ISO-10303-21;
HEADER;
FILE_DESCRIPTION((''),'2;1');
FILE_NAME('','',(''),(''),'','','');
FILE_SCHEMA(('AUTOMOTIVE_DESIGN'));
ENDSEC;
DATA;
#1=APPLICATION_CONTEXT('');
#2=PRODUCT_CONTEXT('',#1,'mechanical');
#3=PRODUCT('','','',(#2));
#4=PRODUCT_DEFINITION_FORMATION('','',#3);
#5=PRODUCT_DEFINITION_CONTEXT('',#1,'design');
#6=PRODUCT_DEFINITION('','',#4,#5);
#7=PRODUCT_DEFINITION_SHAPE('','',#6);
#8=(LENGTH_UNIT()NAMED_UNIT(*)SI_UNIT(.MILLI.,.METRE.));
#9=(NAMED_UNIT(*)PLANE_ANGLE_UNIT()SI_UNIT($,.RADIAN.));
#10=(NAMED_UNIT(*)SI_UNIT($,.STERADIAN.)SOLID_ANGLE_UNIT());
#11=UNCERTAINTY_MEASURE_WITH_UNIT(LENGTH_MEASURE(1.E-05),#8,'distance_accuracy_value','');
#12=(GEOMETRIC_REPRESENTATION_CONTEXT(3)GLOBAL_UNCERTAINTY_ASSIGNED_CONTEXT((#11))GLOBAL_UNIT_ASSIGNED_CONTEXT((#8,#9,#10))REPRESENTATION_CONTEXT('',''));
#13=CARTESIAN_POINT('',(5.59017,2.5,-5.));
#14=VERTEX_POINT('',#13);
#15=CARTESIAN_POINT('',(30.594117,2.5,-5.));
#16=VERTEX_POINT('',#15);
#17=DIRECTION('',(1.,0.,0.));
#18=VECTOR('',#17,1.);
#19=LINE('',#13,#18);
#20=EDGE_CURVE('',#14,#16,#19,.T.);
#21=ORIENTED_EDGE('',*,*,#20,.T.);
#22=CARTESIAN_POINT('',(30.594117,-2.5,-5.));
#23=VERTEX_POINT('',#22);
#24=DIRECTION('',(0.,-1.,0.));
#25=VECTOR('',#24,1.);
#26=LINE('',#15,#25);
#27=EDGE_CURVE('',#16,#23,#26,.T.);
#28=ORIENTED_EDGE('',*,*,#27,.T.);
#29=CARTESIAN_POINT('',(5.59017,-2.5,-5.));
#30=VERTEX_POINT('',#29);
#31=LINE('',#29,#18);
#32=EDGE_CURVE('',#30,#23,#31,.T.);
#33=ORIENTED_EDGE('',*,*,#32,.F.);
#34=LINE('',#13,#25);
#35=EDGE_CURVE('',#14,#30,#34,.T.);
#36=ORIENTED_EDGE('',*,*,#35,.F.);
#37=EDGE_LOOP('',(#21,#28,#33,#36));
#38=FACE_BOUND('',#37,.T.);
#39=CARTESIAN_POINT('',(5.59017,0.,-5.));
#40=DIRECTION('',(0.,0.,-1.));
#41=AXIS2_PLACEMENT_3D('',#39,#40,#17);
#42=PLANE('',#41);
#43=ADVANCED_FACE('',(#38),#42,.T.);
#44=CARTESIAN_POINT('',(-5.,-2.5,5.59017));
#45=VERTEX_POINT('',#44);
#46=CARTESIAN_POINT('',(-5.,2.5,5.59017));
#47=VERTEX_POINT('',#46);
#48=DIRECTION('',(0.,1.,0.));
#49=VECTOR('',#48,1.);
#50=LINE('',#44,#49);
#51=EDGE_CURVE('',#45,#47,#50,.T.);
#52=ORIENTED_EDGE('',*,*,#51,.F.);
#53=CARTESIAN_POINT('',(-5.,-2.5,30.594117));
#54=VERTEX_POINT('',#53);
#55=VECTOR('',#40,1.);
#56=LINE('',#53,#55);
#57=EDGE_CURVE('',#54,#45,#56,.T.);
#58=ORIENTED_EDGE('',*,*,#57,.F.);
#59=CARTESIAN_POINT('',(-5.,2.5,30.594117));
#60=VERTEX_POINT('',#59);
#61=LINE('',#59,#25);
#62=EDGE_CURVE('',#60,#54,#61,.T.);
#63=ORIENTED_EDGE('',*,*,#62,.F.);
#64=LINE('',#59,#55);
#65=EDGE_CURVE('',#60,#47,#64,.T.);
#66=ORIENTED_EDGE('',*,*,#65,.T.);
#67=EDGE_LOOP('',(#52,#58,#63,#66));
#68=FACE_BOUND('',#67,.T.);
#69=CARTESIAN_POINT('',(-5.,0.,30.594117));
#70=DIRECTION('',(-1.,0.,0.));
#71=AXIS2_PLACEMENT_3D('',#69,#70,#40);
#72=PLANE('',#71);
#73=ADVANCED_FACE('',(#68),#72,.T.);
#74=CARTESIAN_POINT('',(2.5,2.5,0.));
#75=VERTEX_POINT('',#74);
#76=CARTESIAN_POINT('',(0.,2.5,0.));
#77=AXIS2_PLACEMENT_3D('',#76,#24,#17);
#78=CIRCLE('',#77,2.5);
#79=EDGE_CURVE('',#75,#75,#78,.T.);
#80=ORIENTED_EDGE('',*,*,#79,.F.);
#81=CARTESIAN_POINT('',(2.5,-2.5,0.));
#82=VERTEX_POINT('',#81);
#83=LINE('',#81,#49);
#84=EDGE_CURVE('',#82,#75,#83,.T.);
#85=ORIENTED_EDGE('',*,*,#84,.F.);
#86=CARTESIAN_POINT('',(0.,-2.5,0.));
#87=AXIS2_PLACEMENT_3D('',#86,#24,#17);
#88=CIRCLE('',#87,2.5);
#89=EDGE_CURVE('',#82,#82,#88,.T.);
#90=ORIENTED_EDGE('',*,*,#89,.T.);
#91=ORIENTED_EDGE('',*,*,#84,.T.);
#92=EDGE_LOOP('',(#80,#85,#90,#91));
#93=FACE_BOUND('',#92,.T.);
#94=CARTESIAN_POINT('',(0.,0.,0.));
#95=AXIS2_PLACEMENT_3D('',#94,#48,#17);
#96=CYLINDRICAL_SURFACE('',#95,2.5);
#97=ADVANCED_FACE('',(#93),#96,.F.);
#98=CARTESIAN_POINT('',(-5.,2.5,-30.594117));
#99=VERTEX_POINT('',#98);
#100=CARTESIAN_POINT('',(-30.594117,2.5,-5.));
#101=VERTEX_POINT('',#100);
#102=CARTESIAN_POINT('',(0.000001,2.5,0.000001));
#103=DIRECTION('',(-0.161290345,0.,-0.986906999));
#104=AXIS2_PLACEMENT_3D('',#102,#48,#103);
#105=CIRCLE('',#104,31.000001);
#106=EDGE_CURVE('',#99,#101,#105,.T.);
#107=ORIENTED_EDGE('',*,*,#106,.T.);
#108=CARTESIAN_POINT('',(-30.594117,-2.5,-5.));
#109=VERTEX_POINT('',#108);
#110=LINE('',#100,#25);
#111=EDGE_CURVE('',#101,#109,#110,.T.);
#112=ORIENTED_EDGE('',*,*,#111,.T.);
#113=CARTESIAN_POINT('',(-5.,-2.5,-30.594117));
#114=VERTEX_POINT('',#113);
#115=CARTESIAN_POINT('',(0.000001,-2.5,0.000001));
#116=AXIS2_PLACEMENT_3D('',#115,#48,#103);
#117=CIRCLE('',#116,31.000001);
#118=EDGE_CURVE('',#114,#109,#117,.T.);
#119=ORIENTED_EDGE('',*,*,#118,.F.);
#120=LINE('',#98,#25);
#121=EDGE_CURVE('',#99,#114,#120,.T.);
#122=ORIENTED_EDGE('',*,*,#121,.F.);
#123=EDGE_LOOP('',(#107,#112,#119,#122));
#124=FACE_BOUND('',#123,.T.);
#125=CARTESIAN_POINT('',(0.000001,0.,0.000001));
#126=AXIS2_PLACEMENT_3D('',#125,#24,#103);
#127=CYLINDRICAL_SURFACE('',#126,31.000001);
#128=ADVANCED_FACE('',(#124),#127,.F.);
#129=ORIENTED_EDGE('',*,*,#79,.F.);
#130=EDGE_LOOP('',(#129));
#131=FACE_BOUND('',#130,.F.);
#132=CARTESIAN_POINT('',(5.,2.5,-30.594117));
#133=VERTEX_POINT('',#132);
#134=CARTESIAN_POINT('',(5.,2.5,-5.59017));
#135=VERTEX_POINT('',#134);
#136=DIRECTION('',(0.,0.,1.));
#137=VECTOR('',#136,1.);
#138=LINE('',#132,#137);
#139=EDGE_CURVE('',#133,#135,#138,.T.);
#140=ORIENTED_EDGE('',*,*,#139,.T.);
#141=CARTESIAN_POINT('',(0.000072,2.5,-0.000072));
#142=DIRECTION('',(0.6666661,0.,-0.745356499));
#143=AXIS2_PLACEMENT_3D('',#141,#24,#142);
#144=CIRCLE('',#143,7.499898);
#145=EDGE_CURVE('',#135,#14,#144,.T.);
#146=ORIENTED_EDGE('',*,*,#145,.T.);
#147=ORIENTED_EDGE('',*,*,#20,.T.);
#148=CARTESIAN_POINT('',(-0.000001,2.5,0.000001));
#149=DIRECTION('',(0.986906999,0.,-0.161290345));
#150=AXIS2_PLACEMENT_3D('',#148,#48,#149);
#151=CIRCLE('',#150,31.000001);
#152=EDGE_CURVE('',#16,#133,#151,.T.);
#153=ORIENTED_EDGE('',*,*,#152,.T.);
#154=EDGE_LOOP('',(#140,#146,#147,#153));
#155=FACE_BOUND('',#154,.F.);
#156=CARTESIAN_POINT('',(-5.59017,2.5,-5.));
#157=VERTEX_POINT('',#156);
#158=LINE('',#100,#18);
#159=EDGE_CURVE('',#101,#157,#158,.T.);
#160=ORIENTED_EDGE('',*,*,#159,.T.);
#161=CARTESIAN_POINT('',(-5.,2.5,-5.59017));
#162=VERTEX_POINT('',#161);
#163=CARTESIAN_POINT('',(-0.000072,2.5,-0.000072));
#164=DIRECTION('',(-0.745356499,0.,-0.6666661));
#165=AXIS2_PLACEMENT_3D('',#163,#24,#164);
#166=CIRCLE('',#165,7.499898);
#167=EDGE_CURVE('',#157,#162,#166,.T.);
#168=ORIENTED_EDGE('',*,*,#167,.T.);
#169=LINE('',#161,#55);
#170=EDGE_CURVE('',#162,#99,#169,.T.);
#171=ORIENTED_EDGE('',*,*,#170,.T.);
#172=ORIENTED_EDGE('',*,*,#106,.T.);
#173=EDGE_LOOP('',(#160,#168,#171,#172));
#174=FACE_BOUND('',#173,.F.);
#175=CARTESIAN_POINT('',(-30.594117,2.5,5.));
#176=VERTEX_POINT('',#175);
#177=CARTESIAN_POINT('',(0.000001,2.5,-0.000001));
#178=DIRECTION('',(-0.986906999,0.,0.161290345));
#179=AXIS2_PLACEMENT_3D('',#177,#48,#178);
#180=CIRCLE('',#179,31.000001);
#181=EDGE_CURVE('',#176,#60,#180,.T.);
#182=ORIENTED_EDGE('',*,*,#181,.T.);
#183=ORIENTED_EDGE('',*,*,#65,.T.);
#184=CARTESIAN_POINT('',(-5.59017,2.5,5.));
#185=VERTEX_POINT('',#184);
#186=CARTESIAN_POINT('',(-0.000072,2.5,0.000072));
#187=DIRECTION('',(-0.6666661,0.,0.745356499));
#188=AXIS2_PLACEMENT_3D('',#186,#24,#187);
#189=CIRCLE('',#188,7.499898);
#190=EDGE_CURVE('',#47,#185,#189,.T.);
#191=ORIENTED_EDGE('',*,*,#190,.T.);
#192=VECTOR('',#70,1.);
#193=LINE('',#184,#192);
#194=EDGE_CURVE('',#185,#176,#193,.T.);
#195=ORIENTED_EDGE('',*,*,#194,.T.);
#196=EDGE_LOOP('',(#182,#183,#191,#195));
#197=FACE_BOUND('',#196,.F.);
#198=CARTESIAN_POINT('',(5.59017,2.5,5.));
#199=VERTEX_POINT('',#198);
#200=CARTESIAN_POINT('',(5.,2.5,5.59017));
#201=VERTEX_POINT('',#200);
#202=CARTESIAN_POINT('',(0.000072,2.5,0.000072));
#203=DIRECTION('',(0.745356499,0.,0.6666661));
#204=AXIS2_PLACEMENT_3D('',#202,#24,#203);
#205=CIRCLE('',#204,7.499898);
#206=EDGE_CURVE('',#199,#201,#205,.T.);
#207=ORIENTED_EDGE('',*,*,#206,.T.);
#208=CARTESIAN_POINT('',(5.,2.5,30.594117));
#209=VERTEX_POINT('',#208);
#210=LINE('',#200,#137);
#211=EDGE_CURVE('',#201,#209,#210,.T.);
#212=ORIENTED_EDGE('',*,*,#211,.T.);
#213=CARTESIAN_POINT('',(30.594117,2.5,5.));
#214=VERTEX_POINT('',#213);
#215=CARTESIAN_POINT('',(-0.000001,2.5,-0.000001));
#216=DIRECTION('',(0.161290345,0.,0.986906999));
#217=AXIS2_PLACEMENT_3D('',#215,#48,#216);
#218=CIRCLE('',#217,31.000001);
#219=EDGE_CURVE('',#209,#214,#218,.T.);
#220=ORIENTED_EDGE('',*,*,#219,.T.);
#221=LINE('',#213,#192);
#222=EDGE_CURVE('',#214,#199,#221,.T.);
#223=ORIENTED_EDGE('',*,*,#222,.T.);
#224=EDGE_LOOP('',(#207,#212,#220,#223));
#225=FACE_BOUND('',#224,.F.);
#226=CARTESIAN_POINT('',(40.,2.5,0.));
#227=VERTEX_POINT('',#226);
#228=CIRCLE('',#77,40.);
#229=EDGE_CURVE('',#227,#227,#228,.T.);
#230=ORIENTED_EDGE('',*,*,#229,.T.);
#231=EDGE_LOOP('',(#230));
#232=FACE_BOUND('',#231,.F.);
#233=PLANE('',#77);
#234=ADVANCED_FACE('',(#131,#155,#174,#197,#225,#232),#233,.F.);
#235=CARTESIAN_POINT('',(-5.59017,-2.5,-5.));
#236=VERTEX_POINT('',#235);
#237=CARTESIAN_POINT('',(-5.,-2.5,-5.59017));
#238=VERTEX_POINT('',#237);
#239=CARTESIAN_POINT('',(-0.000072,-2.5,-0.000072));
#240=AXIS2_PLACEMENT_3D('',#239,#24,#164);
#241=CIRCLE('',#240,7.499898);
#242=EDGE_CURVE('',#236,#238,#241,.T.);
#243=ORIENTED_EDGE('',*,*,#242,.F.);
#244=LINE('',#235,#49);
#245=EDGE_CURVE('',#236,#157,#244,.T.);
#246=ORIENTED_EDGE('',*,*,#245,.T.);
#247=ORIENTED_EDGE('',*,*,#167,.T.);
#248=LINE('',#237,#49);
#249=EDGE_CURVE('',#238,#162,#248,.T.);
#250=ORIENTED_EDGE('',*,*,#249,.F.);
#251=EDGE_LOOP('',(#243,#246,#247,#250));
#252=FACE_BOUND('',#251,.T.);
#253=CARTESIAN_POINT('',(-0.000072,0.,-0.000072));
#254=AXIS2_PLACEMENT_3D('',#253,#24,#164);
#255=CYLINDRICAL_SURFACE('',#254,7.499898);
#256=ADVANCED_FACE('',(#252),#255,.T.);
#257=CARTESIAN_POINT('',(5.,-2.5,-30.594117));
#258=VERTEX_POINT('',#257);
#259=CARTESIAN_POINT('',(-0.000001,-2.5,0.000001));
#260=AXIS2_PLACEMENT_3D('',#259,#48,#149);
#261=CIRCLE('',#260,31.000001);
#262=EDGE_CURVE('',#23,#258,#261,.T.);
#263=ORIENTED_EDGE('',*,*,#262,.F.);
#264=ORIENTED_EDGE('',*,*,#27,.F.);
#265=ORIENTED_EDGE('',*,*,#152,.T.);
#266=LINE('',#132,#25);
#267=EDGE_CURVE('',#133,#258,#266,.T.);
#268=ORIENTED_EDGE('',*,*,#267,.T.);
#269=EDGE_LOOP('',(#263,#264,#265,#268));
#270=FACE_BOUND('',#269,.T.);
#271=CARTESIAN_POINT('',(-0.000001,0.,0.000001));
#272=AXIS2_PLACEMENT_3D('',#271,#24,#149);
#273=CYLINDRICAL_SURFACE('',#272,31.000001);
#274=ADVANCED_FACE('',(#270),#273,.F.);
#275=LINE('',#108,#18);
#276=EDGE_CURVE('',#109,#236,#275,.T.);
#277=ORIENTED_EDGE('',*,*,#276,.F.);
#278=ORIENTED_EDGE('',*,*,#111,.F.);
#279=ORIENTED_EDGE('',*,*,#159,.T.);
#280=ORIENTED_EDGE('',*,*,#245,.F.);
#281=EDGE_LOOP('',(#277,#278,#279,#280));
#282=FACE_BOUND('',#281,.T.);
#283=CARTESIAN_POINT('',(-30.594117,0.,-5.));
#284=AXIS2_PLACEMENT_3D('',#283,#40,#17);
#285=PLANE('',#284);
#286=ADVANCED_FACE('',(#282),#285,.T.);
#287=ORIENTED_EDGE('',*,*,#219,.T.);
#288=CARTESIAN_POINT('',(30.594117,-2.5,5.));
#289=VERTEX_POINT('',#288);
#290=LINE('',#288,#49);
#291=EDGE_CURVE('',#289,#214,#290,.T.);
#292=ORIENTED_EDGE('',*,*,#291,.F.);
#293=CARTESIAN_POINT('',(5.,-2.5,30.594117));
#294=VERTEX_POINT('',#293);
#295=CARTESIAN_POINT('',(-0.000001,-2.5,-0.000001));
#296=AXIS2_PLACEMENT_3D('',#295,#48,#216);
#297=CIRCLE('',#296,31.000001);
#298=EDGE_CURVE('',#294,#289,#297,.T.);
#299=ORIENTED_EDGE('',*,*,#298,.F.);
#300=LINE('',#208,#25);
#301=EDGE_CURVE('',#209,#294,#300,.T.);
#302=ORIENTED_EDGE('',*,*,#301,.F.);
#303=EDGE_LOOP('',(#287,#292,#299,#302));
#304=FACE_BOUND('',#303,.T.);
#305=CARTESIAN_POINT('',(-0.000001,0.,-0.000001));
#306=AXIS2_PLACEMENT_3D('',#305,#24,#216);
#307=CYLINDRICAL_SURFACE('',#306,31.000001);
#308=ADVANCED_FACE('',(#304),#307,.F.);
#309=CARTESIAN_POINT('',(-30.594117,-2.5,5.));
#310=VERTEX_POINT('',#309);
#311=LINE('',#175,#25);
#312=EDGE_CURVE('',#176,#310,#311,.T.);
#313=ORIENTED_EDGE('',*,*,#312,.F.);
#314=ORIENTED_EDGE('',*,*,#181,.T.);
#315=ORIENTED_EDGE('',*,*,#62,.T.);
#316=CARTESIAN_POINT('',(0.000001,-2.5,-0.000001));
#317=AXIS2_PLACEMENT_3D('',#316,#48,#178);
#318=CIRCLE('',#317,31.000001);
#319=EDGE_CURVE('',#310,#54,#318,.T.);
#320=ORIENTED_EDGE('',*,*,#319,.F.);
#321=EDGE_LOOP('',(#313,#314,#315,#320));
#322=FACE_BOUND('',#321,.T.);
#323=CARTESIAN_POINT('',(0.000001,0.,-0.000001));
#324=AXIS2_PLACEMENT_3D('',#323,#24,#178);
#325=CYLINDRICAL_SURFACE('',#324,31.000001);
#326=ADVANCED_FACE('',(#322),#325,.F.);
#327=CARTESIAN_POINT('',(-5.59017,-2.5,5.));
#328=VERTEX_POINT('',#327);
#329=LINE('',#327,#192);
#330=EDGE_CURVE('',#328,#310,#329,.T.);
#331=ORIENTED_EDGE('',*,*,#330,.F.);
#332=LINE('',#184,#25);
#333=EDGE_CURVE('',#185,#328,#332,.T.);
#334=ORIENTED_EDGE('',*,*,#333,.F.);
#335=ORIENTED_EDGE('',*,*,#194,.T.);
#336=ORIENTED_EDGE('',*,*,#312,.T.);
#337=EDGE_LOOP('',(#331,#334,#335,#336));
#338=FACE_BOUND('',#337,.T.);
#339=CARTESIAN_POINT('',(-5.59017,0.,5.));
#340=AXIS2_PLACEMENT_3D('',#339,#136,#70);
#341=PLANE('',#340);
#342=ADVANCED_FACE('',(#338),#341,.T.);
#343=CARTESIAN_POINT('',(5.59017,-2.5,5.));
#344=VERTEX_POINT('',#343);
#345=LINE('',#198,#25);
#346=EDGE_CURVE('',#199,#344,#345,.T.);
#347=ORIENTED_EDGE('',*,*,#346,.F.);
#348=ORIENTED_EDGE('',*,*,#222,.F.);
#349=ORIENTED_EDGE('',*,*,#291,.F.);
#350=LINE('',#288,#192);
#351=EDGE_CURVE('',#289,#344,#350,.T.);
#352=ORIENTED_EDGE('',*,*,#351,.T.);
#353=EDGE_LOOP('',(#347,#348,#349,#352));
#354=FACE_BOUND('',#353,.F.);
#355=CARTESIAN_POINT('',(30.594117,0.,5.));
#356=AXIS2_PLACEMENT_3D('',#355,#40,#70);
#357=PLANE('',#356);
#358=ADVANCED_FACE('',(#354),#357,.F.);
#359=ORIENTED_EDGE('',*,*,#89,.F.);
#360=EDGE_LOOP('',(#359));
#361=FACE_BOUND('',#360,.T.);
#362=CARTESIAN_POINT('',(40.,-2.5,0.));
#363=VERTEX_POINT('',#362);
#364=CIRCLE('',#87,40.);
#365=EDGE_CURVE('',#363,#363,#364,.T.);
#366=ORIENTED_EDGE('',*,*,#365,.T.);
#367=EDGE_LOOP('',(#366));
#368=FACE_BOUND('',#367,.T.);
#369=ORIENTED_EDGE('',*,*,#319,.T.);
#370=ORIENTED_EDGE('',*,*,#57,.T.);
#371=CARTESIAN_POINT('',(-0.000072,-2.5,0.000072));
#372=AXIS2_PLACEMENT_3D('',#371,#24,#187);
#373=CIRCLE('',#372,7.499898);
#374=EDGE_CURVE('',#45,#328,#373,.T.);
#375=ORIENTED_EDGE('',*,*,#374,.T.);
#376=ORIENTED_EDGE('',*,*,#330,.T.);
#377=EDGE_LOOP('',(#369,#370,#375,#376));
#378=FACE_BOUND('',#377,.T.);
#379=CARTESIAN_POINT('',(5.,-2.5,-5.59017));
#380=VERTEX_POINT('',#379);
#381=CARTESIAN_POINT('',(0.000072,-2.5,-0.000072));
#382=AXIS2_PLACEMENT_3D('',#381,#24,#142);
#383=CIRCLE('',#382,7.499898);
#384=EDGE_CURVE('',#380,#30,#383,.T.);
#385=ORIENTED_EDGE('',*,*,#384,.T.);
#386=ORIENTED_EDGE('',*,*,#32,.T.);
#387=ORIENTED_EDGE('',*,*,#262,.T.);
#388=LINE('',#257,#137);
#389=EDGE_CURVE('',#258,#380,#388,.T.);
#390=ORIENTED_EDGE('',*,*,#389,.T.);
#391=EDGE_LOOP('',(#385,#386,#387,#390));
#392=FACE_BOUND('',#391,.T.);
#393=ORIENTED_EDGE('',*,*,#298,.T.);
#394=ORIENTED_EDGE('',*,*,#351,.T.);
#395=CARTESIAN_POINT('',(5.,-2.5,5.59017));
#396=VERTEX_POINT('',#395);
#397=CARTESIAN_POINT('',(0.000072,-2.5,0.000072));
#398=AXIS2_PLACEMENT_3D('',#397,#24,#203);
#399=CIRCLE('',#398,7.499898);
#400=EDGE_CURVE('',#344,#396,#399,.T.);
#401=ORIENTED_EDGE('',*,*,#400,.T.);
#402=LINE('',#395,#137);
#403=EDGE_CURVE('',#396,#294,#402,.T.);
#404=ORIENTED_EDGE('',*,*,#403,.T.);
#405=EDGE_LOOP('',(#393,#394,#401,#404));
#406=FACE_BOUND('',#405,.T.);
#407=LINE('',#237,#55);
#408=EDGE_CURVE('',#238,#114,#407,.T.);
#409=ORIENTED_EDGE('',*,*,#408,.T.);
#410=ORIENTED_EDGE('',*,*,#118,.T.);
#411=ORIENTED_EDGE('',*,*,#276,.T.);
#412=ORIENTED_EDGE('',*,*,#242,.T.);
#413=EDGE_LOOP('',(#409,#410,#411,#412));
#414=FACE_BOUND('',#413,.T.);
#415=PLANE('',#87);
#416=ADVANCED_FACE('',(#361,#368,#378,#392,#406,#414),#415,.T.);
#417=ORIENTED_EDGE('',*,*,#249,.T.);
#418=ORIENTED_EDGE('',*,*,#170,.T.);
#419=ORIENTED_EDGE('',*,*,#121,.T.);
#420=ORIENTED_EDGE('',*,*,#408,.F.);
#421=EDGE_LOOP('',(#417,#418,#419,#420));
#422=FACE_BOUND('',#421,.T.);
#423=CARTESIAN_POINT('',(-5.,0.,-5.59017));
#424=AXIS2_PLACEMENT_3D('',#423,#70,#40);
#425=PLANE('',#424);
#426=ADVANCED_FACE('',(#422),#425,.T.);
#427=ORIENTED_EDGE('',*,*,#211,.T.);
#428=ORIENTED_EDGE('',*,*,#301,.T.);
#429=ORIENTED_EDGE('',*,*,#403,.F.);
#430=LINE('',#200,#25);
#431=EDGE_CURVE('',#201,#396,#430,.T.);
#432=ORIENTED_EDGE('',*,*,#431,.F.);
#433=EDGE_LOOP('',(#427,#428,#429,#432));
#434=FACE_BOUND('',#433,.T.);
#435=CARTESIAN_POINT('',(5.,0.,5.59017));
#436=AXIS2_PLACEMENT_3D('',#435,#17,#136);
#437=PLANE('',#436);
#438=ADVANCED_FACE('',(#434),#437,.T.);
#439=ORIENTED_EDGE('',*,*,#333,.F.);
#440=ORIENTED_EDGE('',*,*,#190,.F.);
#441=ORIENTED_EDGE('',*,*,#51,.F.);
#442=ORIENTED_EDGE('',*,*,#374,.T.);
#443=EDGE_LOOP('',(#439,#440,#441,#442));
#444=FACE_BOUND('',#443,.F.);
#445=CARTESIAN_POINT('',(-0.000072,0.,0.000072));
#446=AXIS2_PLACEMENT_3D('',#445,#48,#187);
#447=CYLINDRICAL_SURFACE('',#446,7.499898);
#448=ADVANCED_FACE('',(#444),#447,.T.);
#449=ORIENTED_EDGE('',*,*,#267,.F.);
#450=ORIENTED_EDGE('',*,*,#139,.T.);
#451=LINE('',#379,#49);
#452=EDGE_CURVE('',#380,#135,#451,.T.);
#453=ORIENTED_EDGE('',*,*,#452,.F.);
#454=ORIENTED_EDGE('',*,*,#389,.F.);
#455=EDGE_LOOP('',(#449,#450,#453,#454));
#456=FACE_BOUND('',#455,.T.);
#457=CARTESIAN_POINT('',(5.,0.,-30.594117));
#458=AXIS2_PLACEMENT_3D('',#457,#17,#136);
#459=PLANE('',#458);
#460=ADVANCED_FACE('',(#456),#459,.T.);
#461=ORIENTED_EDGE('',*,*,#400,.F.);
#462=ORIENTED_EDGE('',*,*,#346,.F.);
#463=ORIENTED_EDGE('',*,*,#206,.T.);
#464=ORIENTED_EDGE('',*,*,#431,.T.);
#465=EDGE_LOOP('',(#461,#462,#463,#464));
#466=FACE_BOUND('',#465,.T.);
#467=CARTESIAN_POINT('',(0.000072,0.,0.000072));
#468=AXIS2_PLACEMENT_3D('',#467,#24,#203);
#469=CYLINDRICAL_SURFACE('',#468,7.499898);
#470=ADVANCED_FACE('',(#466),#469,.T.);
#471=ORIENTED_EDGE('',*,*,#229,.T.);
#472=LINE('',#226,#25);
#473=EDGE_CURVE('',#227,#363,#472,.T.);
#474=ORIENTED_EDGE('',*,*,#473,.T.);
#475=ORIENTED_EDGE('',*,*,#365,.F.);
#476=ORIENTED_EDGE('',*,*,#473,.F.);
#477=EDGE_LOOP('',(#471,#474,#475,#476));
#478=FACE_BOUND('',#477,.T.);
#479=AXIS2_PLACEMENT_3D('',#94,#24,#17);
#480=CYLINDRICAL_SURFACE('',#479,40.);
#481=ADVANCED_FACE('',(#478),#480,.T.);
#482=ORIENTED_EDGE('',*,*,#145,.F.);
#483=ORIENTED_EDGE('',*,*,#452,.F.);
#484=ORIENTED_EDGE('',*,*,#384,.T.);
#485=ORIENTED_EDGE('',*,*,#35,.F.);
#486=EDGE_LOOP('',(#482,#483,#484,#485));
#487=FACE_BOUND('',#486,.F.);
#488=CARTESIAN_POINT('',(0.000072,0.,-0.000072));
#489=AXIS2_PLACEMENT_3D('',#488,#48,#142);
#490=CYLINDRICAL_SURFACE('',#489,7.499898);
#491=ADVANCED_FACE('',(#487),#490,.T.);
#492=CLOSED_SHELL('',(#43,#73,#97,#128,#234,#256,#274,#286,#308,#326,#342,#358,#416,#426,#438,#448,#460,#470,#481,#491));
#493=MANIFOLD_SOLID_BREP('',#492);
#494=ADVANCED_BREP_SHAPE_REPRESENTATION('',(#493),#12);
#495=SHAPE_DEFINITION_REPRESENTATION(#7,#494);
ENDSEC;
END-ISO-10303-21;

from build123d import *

# Parameters (mm, degrees)
F0_R     = 40
F0_R_2   = 2.5
F1_DEPTH = 2.5


with BuildPart() as f1:
    # F0 (on Front) → F1 (new body, symmetric)
    with BuildSketch(Plane.XZ):
        Circle(F0_R)
        with BuildLine():
            ThreePointArc((-5, -30.594117), (-21.92031, -21.92031), (-30.594117, -5))
            Line((-30.594117, -5), (-5.59017, -5))
            ThreePointArc((-5.59017, -5), (-5.303301, -5.303301), (-5, -5.59017))
            Line((-5, -5.59017), (-5, -30.594117))
        make_face(mode=Mode.SUBTRACT)
        with BuildLine():
            Line((5, -30.594117), (5, -5.59017))
            ThreePointArc((5, -5.59017), (5.303301, -5.303301), (5.59017, -5))
            Line((5.59017, -5), (30.594117, -5))
            ThreePointArc((30.594117, -5), (21.92031, -21.92031), (5, -30.594117))
        make_face(mode=Mode.SUBTRACT)
        with BuildLine():
            Line((-5, 30.594117), (-5, 5.59017))
            ThreePointArc((-5, 5.59017), (-5.303301, 5.303301), (-5.59017, 5))
            Line((-5.59017, 5), (-30.594117, 5))
            ThreePointArc((-30.594117, 5), (-21.92031, 21.92031), (-5, 30.594117))
        make_face(mode=Mode.SUBTRACT)
        Circle(F0_R_2, mode=Mode.SUBTRACT)
        with BuildLine():
            Line((30.594117, 5), (5.59017, 5))
            ThreePointArc((5.59017, 5), (5.303301, 5.303301), (5, 5.59017))
            Line((5, 5.59017), (5, 30.594117))
            ThreePointArc((5, 30.594117), (21.92031, 21.92031), (30.594117, 5))
        make_face(mode=Mode.SUBTRACT)
    extrude(amount=F1_DEPTH, both=True)


solid = f1.part
